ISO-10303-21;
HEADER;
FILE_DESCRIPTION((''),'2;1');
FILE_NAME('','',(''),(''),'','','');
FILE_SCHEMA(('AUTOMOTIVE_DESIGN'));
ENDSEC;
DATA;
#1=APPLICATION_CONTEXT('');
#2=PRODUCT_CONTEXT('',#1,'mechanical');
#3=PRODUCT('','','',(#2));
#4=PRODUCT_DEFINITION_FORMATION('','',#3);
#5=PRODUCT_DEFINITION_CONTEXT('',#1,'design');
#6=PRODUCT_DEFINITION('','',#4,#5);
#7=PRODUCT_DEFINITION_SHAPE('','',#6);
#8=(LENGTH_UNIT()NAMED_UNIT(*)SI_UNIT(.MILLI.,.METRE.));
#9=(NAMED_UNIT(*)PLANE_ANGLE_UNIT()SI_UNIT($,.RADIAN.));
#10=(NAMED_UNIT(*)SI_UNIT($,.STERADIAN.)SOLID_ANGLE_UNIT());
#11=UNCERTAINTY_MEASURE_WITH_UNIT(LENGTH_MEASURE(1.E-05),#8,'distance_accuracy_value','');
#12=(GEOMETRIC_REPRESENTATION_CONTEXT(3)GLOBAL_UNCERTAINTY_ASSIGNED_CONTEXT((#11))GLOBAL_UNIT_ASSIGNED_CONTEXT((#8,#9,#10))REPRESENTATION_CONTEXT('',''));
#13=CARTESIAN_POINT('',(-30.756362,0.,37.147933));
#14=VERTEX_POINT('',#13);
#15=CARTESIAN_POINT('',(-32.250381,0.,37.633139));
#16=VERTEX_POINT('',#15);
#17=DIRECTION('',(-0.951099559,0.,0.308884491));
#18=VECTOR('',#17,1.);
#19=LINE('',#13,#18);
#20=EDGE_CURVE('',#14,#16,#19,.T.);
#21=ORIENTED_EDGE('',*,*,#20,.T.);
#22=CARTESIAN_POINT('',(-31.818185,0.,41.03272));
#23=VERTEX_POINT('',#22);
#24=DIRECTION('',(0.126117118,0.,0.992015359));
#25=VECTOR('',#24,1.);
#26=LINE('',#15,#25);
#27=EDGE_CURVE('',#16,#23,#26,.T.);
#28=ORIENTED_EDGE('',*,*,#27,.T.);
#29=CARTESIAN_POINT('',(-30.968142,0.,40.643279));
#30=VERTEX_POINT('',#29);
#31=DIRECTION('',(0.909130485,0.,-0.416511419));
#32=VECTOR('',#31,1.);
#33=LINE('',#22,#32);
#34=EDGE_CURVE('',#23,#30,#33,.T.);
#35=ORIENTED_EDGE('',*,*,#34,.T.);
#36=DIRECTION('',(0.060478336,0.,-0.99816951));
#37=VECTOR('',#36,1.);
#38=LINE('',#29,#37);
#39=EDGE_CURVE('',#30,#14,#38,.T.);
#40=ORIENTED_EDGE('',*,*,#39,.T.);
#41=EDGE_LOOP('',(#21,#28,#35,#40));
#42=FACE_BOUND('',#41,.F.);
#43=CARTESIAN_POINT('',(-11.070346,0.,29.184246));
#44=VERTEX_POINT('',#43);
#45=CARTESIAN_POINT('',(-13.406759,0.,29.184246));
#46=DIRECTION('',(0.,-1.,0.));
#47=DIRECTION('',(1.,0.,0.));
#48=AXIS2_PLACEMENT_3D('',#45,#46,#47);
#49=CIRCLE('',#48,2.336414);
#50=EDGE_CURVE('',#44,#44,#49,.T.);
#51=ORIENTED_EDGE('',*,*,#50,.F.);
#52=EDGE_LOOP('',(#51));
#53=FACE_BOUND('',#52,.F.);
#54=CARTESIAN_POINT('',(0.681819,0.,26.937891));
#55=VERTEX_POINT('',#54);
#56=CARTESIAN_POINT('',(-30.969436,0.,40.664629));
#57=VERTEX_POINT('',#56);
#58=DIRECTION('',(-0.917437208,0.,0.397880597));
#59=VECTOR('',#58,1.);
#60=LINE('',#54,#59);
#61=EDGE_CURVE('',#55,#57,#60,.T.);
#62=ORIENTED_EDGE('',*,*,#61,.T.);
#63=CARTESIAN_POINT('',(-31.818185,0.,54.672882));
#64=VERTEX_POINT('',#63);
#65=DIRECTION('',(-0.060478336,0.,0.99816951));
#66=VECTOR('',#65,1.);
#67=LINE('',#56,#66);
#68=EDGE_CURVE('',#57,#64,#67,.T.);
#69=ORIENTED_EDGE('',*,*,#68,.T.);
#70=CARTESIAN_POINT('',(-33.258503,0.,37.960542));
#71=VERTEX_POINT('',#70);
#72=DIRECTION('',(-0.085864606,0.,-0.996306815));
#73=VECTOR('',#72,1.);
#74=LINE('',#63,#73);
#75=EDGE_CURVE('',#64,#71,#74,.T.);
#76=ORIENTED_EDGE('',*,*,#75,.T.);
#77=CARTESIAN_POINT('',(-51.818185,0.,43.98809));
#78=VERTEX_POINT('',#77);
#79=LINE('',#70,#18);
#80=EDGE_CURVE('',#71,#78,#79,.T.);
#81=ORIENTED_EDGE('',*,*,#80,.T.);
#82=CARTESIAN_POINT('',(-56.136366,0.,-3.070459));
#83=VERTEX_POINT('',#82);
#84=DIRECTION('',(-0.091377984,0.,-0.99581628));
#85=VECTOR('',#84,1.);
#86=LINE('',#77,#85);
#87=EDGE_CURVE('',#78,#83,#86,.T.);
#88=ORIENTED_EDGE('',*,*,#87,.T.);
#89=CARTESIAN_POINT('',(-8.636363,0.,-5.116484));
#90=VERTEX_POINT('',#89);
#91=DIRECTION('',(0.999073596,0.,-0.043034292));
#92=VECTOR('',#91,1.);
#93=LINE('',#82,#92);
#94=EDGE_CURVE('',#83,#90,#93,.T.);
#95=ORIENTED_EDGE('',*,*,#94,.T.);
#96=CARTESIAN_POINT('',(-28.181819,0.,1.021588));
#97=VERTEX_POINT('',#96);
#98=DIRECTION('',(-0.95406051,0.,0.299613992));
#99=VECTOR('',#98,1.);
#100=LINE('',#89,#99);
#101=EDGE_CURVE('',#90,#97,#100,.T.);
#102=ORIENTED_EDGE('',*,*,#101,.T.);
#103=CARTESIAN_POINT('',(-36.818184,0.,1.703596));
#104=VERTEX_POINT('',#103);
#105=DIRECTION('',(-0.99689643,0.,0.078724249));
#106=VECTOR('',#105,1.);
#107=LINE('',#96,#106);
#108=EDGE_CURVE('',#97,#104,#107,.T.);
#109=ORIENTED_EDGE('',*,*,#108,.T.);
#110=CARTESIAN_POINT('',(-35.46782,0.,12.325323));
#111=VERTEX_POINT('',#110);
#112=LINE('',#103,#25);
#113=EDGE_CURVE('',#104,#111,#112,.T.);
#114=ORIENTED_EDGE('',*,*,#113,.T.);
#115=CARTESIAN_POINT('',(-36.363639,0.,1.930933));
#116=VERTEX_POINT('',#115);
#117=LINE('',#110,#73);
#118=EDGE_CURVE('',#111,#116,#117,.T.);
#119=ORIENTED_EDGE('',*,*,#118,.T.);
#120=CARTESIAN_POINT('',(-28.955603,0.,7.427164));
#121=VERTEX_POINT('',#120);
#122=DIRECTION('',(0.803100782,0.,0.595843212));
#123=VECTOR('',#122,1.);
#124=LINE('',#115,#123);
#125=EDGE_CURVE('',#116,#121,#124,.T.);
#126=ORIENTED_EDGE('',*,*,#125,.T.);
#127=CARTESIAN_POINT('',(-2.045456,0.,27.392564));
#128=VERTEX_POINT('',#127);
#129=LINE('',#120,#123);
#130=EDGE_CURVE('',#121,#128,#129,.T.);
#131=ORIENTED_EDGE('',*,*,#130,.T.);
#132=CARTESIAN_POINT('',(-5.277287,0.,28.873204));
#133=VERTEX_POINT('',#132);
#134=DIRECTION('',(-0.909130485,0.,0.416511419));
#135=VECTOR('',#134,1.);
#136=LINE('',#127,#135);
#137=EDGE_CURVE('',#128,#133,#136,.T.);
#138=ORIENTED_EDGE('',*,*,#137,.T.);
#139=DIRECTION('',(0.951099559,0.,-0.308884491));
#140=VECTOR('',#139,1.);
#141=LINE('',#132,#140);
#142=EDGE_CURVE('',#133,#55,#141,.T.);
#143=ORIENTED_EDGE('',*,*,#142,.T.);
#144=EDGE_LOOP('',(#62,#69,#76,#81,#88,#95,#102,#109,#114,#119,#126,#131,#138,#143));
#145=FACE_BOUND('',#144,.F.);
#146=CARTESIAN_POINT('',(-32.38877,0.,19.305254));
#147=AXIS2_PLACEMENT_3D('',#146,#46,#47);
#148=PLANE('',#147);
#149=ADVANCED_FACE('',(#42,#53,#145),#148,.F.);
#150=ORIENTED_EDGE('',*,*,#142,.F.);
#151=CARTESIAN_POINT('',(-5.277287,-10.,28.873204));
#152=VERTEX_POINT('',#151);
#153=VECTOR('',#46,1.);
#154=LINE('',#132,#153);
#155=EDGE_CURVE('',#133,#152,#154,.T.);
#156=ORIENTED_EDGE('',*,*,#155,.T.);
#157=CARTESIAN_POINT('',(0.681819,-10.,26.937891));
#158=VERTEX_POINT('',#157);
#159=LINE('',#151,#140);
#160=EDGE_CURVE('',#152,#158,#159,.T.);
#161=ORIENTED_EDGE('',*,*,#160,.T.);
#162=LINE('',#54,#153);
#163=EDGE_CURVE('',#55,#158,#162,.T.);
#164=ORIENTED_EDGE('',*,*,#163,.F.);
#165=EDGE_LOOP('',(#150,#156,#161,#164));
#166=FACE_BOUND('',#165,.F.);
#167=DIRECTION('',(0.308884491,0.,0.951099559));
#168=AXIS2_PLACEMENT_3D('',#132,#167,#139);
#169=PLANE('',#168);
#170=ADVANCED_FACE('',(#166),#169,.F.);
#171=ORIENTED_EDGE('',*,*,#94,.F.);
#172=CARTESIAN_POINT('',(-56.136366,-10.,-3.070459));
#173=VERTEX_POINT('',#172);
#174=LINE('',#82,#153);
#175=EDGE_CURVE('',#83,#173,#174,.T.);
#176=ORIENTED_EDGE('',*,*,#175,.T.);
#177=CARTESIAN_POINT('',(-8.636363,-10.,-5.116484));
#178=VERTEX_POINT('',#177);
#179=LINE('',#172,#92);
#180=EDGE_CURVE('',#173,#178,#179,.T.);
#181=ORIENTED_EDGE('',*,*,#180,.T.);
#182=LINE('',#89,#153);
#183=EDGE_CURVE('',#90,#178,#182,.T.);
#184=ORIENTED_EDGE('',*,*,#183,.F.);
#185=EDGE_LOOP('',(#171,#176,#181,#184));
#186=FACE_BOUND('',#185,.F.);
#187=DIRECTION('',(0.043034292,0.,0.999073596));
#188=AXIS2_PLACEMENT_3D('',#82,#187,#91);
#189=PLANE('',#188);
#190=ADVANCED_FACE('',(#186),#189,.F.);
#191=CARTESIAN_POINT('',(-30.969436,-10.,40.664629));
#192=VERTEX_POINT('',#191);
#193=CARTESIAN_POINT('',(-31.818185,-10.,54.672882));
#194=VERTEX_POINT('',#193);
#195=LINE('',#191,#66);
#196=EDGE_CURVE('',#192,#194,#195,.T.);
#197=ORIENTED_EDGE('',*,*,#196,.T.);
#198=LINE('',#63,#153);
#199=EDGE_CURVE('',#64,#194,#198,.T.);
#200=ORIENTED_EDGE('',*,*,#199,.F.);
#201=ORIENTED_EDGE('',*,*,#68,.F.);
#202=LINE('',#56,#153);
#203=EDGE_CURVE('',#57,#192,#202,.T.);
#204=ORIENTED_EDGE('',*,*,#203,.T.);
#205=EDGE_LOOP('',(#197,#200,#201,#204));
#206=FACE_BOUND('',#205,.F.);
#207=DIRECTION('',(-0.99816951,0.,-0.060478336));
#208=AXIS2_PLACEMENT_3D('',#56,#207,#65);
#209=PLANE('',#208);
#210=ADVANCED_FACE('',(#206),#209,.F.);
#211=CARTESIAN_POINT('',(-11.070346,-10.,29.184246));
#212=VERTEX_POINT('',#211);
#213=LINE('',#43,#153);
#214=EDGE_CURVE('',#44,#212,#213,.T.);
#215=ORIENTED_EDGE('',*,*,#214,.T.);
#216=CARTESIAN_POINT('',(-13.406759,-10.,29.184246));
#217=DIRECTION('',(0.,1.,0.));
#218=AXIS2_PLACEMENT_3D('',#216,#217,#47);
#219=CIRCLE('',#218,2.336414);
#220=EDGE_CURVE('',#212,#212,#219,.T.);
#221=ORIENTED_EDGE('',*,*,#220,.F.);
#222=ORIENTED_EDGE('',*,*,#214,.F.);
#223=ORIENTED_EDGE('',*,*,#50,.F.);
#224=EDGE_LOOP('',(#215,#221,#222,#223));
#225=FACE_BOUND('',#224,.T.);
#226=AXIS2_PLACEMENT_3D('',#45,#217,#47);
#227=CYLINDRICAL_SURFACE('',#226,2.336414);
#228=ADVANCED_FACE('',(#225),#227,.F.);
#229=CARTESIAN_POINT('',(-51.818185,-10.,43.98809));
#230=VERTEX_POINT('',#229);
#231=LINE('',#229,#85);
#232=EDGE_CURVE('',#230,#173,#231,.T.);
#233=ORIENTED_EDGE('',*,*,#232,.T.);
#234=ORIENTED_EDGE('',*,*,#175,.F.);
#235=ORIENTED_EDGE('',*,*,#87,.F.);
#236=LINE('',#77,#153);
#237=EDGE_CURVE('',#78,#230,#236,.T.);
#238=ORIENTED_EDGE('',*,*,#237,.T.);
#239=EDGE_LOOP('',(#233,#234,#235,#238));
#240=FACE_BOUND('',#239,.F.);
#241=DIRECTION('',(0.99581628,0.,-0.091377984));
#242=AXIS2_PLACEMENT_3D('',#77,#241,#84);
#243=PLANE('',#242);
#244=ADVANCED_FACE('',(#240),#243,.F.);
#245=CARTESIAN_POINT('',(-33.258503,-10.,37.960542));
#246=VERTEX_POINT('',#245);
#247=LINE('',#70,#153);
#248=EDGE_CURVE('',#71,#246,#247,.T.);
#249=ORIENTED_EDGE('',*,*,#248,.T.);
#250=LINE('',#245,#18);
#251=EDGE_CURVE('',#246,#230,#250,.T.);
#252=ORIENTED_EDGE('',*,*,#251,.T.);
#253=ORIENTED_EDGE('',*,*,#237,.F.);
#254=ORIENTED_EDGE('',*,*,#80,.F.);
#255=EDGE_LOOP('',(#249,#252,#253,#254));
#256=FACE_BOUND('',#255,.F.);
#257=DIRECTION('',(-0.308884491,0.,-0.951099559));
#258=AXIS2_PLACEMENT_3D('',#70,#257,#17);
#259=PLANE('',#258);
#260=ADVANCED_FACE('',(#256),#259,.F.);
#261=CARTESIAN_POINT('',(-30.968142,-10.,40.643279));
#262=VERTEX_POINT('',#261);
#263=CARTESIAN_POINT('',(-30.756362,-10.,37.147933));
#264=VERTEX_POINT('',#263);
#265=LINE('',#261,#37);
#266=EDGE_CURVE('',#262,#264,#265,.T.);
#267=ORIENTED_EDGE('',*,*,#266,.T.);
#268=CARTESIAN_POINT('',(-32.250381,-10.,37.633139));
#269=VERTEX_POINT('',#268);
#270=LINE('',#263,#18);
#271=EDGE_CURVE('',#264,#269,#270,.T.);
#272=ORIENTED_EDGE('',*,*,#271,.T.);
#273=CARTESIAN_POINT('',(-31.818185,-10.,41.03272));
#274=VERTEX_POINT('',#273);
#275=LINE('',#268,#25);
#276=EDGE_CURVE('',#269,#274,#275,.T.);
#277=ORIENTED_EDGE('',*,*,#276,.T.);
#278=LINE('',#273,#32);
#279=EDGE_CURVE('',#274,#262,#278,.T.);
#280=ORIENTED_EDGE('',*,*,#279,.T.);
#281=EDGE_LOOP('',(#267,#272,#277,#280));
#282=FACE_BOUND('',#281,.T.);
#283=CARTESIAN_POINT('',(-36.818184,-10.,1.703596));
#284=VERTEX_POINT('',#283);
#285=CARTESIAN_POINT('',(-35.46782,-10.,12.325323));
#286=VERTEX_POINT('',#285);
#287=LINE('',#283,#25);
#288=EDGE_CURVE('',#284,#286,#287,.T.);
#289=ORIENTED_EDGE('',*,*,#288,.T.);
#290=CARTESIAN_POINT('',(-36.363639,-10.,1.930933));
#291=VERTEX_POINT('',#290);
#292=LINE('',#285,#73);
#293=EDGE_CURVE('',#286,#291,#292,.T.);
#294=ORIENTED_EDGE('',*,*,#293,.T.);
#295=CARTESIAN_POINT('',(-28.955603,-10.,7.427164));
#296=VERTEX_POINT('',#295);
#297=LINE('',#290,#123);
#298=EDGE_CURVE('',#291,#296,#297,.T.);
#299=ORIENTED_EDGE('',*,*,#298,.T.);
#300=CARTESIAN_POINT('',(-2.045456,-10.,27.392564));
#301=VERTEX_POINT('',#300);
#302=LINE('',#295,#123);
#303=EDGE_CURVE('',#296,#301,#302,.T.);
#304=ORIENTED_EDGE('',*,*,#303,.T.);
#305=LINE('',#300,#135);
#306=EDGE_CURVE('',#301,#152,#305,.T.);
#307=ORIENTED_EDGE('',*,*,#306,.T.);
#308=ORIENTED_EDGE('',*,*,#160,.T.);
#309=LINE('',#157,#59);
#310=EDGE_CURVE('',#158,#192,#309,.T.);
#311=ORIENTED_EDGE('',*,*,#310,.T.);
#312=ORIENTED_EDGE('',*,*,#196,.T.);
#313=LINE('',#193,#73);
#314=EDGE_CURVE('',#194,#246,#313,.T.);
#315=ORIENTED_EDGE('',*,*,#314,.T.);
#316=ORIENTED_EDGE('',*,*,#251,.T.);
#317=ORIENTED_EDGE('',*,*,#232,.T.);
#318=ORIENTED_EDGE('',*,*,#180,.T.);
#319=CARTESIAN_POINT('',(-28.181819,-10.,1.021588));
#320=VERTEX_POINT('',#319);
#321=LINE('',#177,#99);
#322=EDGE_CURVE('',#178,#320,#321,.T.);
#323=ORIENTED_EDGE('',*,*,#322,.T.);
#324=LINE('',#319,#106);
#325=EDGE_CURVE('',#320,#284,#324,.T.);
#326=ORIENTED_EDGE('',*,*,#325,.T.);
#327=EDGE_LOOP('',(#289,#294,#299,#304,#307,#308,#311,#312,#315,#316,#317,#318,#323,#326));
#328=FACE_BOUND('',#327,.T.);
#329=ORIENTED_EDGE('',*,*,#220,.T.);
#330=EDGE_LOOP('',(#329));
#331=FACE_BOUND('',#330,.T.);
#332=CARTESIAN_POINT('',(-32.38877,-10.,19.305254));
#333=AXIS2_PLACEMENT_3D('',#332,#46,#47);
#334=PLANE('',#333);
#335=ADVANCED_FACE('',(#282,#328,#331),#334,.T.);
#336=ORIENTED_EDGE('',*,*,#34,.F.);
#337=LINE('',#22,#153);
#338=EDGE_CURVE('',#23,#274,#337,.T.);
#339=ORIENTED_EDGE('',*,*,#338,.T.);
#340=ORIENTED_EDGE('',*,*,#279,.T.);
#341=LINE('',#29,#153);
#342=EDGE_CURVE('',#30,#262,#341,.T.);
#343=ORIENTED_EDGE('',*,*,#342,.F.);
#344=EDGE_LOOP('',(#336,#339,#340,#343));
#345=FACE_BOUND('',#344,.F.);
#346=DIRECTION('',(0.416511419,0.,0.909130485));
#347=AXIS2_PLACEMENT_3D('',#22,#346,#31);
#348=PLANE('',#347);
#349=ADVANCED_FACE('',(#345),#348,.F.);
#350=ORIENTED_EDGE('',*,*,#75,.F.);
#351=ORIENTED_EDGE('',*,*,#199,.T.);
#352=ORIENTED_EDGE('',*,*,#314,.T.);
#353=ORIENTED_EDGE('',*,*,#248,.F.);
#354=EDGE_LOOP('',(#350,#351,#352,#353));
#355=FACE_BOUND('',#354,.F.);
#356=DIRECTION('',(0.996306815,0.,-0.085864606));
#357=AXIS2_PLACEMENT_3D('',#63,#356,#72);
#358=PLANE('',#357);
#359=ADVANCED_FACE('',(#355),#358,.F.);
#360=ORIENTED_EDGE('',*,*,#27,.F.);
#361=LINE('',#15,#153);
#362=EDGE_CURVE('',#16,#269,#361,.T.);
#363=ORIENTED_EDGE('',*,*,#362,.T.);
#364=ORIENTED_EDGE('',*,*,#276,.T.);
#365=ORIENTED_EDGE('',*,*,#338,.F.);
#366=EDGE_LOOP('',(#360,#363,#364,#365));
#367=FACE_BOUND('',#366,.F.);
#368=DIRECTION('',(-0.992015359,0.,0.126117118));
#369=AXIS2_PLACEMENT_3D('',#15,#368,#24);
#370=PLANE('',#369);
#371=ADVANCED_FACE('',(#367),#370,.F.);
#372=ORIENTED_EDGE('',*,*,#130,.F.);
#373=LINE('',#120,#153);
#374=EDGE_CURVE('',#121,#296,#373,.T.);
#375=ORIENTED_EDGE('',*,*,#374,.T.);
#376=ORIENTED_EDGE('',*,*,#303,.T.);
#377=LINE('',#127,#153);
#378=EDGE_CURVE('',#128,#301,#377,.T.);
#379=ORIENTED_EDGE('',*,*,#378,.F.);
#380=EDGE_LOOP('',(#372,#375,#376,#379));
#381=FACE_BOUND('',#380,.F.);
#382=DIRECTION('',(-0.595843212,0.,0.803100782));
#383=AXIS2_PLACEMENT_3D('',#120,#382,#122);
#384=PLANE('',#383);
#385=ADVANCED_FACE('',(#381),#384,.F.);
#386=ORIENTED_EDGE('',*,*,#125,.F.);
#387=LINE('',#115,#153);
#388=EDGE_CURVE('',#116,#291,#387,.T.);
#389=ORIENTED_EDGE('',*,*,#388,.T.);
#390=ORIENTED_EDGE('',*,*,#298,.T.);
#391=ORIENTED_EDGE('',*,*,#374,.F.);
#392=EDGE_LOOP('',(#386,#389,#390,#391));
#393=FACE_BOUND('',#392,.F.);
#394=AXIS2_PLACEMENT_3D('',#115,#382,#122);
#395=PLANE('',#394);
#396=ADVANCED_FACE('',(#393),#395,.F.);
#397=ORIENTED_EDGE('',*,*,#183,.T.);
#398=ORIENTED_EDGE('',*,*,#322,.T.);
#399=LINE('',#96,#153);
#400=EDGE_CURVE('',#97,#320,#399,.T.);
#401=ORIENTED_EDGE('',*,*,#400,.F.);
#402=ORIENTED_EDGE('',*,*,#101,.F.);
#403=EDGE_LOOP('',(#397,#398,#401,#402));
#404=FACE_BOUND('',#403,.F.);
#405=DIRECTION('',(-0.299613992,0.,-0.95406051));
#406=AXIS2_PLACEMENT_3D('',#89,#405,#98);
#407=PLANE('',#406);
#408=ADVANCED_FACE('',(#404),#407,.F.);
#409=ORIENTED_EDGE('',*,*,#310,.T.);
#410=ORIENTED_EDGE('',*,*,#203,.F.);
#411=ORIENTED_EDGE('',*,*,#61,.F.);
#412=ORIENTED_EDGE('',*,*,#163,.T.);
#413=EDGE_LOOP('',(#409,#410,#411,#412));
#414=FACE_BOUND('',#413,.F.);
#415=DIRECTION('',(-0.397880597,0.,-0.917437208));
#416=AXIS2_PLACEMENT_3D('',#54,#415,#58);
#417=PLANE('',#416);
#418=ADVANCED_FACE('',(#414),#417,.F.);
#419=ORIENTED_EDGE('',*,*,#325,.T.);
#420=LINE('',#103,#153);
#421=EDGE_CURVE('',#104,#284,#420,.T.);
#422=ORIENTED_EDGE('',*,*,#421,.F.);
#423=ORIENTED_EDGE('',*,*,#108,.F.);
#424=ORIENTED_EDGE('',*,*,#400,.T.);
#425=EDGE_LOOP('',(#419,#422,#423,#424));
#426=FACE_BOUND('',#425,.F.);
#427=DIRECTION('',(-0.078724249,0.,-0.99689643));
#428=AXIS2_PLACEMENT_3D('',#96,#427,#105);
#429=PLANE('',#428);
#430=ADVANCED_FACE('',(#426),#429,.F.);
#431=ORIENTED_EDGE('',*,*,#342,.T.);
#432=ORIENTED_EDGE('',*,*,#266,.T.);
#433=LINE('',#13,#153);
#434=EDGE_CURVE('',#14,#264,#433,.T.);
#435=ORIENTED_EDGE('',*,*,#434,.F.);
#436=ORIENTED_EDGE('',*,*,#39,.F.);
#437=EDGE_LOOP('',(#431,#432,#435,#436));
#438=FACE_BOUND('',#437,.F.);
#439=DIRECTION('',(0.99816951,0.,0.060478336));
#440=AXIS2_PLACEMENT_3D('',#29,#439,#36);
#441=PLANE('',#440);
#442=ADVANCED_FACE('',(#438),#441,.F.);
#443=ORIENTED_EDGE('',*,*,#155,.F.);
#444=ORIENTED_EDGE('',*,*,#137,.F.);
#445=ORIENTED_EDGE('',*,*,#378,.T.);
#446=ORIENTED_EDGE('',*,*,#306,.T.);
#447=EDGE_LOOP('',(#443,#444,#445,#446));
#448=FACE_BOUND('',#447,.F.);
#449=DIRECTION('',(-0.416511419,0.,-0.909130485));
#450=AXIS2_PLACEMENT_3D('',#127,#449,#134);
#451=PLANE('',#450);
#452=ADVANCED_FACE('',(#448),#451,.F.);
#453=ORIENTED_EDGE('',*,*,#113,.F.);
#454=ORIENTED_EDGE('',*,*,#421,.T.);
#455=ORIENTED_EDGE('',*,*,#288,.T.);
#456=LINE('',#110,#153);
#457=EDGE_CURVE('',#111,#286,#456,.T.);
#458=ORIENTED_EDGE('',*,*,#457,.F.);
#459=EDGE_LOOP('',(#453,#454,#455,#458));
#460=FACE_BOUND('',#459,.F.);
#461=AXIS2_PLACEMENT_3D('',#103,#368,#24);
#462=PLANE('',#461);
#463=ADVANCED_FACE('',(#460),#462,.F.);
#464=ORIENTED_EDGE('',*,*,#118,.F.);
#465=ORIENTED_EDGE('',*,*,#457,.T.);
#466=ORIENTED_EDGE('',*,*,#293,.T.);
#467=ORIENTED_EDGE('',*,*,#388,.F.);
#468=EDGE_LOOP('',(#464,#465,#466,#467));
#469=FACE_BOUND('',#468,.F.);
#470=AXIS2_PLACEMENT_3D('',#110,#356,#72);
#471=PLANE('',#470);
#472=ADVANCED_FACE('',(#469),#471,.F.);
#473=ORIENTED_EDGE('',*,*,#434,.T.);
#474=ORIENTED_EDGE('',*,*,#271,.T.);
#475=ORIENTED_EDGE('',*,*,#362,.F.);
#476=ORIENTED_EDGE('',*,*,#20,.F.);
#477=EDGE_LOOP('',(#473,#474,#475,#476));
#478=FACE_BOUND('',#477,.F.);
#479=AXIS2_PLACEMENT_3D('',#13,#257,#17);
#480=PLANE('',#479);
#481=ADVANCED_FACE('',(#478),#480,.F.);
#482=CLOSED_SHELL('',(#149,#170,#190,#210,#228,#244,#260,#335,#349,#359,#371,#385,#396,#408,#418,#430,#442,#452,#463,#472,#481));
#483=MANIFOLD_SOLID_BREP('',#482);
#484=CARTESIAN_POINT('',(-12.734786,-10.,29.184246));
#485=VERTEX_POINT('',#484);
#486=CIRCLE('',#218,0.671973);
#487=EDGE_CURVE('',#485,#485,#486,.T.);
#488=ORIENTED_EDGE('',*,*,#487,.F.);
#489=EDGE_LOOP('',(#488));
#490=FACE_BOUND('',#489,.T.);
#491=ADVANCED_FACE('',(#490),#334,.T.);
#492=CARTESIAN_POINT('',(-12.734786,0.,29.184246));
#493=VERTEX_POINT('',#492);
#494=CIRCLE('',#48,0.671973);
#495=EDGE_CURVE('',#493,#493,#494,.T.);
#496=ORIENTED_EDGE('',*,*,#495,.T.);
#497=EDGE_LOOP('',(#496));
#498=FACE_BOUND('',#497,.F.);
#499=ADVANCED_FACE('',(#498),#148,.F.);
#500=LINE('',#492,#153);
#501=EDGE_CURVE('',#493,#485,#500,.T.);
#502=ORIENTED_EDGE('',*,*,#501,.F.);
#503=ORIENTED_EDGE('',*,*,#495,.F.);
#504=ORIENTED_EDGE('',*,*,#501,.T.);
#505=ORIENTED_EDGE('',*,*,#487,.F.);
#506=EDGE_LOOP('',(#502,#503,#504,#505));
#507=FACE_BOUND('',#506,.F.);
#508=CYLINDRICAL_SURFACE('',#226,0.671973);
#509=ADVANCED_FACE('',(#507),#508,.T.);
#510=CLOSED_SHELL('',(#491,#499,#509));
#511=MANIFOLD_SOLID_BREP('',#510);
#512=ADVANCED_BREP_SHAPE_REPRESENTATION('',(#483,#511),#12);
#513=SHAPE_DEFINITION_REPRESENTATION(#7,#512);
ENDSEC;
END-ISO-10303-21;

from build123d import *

# Parameters (mm, degrees)
F1_DEPTH = 10
F2_R     = 2.3364135793
F2_R_2   = 0.6719729415
F3_DEPTH = 10.001


with BuildPart() as f1:
    # F0 (on Front) → F1 (new body)
    with BuildSketch(Plane.XZ):
        Polygon((-36.3636389375, 1.9309325144), (-28.9556026929, 7.4271643797), (-30.7563615832, 37.1479328279), (-32.2503813173, 37.6331391571), (-35.467820301, 12.3253225806), align=None)
        Polygon((-30.7563615832, 37.1479328279), (-28.9556026929, 7.4271643797), (-2.0454558544, 27.3925643414), (-5.277287176, 28.8732039974), align=None)
        Polygon((-30.9681419911, 40.6432794287), (-30.7563615832, 37.1479328279), (-5.277287176, 28.8732039974), align=None)
        Polygon((-31.8181850016, 41.0327203572), (-30.9681419911, 40.6432794287), (-30.9694355296, 40.6646287383), align=None)
        Polygon((-30.9694355296, 40.6646287383), (-30.9681419911, 40.6432794287), (-5.277287176, 28.8732039974), (0.6818191614, 26.9378907979), align=None)
        Polygon((-35.467820301, 12.3253225806), (-32.2503813173, 37.6331391571), (-33.2585028197, 37.9605424186), align=None)
        Polygon((-33.2585028197, 37.9605424186), (-32.2503813173, 37.6331391571), (-31.8181850016, 41.0327203572), (-30.9694355296, 40.6646287383), (-31.8181850016, 54.6728819609), align=None)
        Polygon((-36.8181839585, 1.7035964411), (-35.467820301, 12.3253225806), (-33.2585028197, 37.9605424186), (-51.8181845546, 43.9880900085), (-56.1363659799, -3.0704592355), (-8.6363628507, -5.1164836623), (-28.1818192452, 1.021588454), align=None)
    extrude(amount=F1_DEPTH)

    # F2 (on Front) → F3 (cut, through all)
    with BuildSketch(Plane.XZ):
        with Locations((-13.406759128, 29.1842464358)):
            Circle(F2_R)
        with Locations((-13.406759128, 29.1842464358)):
            Circle(F2_R_2, mode=Mode.SUBTRACT)
    extrude(amount=F3_DEPTH, mode=Mode.SUBTRACT)


solid = f1.part
